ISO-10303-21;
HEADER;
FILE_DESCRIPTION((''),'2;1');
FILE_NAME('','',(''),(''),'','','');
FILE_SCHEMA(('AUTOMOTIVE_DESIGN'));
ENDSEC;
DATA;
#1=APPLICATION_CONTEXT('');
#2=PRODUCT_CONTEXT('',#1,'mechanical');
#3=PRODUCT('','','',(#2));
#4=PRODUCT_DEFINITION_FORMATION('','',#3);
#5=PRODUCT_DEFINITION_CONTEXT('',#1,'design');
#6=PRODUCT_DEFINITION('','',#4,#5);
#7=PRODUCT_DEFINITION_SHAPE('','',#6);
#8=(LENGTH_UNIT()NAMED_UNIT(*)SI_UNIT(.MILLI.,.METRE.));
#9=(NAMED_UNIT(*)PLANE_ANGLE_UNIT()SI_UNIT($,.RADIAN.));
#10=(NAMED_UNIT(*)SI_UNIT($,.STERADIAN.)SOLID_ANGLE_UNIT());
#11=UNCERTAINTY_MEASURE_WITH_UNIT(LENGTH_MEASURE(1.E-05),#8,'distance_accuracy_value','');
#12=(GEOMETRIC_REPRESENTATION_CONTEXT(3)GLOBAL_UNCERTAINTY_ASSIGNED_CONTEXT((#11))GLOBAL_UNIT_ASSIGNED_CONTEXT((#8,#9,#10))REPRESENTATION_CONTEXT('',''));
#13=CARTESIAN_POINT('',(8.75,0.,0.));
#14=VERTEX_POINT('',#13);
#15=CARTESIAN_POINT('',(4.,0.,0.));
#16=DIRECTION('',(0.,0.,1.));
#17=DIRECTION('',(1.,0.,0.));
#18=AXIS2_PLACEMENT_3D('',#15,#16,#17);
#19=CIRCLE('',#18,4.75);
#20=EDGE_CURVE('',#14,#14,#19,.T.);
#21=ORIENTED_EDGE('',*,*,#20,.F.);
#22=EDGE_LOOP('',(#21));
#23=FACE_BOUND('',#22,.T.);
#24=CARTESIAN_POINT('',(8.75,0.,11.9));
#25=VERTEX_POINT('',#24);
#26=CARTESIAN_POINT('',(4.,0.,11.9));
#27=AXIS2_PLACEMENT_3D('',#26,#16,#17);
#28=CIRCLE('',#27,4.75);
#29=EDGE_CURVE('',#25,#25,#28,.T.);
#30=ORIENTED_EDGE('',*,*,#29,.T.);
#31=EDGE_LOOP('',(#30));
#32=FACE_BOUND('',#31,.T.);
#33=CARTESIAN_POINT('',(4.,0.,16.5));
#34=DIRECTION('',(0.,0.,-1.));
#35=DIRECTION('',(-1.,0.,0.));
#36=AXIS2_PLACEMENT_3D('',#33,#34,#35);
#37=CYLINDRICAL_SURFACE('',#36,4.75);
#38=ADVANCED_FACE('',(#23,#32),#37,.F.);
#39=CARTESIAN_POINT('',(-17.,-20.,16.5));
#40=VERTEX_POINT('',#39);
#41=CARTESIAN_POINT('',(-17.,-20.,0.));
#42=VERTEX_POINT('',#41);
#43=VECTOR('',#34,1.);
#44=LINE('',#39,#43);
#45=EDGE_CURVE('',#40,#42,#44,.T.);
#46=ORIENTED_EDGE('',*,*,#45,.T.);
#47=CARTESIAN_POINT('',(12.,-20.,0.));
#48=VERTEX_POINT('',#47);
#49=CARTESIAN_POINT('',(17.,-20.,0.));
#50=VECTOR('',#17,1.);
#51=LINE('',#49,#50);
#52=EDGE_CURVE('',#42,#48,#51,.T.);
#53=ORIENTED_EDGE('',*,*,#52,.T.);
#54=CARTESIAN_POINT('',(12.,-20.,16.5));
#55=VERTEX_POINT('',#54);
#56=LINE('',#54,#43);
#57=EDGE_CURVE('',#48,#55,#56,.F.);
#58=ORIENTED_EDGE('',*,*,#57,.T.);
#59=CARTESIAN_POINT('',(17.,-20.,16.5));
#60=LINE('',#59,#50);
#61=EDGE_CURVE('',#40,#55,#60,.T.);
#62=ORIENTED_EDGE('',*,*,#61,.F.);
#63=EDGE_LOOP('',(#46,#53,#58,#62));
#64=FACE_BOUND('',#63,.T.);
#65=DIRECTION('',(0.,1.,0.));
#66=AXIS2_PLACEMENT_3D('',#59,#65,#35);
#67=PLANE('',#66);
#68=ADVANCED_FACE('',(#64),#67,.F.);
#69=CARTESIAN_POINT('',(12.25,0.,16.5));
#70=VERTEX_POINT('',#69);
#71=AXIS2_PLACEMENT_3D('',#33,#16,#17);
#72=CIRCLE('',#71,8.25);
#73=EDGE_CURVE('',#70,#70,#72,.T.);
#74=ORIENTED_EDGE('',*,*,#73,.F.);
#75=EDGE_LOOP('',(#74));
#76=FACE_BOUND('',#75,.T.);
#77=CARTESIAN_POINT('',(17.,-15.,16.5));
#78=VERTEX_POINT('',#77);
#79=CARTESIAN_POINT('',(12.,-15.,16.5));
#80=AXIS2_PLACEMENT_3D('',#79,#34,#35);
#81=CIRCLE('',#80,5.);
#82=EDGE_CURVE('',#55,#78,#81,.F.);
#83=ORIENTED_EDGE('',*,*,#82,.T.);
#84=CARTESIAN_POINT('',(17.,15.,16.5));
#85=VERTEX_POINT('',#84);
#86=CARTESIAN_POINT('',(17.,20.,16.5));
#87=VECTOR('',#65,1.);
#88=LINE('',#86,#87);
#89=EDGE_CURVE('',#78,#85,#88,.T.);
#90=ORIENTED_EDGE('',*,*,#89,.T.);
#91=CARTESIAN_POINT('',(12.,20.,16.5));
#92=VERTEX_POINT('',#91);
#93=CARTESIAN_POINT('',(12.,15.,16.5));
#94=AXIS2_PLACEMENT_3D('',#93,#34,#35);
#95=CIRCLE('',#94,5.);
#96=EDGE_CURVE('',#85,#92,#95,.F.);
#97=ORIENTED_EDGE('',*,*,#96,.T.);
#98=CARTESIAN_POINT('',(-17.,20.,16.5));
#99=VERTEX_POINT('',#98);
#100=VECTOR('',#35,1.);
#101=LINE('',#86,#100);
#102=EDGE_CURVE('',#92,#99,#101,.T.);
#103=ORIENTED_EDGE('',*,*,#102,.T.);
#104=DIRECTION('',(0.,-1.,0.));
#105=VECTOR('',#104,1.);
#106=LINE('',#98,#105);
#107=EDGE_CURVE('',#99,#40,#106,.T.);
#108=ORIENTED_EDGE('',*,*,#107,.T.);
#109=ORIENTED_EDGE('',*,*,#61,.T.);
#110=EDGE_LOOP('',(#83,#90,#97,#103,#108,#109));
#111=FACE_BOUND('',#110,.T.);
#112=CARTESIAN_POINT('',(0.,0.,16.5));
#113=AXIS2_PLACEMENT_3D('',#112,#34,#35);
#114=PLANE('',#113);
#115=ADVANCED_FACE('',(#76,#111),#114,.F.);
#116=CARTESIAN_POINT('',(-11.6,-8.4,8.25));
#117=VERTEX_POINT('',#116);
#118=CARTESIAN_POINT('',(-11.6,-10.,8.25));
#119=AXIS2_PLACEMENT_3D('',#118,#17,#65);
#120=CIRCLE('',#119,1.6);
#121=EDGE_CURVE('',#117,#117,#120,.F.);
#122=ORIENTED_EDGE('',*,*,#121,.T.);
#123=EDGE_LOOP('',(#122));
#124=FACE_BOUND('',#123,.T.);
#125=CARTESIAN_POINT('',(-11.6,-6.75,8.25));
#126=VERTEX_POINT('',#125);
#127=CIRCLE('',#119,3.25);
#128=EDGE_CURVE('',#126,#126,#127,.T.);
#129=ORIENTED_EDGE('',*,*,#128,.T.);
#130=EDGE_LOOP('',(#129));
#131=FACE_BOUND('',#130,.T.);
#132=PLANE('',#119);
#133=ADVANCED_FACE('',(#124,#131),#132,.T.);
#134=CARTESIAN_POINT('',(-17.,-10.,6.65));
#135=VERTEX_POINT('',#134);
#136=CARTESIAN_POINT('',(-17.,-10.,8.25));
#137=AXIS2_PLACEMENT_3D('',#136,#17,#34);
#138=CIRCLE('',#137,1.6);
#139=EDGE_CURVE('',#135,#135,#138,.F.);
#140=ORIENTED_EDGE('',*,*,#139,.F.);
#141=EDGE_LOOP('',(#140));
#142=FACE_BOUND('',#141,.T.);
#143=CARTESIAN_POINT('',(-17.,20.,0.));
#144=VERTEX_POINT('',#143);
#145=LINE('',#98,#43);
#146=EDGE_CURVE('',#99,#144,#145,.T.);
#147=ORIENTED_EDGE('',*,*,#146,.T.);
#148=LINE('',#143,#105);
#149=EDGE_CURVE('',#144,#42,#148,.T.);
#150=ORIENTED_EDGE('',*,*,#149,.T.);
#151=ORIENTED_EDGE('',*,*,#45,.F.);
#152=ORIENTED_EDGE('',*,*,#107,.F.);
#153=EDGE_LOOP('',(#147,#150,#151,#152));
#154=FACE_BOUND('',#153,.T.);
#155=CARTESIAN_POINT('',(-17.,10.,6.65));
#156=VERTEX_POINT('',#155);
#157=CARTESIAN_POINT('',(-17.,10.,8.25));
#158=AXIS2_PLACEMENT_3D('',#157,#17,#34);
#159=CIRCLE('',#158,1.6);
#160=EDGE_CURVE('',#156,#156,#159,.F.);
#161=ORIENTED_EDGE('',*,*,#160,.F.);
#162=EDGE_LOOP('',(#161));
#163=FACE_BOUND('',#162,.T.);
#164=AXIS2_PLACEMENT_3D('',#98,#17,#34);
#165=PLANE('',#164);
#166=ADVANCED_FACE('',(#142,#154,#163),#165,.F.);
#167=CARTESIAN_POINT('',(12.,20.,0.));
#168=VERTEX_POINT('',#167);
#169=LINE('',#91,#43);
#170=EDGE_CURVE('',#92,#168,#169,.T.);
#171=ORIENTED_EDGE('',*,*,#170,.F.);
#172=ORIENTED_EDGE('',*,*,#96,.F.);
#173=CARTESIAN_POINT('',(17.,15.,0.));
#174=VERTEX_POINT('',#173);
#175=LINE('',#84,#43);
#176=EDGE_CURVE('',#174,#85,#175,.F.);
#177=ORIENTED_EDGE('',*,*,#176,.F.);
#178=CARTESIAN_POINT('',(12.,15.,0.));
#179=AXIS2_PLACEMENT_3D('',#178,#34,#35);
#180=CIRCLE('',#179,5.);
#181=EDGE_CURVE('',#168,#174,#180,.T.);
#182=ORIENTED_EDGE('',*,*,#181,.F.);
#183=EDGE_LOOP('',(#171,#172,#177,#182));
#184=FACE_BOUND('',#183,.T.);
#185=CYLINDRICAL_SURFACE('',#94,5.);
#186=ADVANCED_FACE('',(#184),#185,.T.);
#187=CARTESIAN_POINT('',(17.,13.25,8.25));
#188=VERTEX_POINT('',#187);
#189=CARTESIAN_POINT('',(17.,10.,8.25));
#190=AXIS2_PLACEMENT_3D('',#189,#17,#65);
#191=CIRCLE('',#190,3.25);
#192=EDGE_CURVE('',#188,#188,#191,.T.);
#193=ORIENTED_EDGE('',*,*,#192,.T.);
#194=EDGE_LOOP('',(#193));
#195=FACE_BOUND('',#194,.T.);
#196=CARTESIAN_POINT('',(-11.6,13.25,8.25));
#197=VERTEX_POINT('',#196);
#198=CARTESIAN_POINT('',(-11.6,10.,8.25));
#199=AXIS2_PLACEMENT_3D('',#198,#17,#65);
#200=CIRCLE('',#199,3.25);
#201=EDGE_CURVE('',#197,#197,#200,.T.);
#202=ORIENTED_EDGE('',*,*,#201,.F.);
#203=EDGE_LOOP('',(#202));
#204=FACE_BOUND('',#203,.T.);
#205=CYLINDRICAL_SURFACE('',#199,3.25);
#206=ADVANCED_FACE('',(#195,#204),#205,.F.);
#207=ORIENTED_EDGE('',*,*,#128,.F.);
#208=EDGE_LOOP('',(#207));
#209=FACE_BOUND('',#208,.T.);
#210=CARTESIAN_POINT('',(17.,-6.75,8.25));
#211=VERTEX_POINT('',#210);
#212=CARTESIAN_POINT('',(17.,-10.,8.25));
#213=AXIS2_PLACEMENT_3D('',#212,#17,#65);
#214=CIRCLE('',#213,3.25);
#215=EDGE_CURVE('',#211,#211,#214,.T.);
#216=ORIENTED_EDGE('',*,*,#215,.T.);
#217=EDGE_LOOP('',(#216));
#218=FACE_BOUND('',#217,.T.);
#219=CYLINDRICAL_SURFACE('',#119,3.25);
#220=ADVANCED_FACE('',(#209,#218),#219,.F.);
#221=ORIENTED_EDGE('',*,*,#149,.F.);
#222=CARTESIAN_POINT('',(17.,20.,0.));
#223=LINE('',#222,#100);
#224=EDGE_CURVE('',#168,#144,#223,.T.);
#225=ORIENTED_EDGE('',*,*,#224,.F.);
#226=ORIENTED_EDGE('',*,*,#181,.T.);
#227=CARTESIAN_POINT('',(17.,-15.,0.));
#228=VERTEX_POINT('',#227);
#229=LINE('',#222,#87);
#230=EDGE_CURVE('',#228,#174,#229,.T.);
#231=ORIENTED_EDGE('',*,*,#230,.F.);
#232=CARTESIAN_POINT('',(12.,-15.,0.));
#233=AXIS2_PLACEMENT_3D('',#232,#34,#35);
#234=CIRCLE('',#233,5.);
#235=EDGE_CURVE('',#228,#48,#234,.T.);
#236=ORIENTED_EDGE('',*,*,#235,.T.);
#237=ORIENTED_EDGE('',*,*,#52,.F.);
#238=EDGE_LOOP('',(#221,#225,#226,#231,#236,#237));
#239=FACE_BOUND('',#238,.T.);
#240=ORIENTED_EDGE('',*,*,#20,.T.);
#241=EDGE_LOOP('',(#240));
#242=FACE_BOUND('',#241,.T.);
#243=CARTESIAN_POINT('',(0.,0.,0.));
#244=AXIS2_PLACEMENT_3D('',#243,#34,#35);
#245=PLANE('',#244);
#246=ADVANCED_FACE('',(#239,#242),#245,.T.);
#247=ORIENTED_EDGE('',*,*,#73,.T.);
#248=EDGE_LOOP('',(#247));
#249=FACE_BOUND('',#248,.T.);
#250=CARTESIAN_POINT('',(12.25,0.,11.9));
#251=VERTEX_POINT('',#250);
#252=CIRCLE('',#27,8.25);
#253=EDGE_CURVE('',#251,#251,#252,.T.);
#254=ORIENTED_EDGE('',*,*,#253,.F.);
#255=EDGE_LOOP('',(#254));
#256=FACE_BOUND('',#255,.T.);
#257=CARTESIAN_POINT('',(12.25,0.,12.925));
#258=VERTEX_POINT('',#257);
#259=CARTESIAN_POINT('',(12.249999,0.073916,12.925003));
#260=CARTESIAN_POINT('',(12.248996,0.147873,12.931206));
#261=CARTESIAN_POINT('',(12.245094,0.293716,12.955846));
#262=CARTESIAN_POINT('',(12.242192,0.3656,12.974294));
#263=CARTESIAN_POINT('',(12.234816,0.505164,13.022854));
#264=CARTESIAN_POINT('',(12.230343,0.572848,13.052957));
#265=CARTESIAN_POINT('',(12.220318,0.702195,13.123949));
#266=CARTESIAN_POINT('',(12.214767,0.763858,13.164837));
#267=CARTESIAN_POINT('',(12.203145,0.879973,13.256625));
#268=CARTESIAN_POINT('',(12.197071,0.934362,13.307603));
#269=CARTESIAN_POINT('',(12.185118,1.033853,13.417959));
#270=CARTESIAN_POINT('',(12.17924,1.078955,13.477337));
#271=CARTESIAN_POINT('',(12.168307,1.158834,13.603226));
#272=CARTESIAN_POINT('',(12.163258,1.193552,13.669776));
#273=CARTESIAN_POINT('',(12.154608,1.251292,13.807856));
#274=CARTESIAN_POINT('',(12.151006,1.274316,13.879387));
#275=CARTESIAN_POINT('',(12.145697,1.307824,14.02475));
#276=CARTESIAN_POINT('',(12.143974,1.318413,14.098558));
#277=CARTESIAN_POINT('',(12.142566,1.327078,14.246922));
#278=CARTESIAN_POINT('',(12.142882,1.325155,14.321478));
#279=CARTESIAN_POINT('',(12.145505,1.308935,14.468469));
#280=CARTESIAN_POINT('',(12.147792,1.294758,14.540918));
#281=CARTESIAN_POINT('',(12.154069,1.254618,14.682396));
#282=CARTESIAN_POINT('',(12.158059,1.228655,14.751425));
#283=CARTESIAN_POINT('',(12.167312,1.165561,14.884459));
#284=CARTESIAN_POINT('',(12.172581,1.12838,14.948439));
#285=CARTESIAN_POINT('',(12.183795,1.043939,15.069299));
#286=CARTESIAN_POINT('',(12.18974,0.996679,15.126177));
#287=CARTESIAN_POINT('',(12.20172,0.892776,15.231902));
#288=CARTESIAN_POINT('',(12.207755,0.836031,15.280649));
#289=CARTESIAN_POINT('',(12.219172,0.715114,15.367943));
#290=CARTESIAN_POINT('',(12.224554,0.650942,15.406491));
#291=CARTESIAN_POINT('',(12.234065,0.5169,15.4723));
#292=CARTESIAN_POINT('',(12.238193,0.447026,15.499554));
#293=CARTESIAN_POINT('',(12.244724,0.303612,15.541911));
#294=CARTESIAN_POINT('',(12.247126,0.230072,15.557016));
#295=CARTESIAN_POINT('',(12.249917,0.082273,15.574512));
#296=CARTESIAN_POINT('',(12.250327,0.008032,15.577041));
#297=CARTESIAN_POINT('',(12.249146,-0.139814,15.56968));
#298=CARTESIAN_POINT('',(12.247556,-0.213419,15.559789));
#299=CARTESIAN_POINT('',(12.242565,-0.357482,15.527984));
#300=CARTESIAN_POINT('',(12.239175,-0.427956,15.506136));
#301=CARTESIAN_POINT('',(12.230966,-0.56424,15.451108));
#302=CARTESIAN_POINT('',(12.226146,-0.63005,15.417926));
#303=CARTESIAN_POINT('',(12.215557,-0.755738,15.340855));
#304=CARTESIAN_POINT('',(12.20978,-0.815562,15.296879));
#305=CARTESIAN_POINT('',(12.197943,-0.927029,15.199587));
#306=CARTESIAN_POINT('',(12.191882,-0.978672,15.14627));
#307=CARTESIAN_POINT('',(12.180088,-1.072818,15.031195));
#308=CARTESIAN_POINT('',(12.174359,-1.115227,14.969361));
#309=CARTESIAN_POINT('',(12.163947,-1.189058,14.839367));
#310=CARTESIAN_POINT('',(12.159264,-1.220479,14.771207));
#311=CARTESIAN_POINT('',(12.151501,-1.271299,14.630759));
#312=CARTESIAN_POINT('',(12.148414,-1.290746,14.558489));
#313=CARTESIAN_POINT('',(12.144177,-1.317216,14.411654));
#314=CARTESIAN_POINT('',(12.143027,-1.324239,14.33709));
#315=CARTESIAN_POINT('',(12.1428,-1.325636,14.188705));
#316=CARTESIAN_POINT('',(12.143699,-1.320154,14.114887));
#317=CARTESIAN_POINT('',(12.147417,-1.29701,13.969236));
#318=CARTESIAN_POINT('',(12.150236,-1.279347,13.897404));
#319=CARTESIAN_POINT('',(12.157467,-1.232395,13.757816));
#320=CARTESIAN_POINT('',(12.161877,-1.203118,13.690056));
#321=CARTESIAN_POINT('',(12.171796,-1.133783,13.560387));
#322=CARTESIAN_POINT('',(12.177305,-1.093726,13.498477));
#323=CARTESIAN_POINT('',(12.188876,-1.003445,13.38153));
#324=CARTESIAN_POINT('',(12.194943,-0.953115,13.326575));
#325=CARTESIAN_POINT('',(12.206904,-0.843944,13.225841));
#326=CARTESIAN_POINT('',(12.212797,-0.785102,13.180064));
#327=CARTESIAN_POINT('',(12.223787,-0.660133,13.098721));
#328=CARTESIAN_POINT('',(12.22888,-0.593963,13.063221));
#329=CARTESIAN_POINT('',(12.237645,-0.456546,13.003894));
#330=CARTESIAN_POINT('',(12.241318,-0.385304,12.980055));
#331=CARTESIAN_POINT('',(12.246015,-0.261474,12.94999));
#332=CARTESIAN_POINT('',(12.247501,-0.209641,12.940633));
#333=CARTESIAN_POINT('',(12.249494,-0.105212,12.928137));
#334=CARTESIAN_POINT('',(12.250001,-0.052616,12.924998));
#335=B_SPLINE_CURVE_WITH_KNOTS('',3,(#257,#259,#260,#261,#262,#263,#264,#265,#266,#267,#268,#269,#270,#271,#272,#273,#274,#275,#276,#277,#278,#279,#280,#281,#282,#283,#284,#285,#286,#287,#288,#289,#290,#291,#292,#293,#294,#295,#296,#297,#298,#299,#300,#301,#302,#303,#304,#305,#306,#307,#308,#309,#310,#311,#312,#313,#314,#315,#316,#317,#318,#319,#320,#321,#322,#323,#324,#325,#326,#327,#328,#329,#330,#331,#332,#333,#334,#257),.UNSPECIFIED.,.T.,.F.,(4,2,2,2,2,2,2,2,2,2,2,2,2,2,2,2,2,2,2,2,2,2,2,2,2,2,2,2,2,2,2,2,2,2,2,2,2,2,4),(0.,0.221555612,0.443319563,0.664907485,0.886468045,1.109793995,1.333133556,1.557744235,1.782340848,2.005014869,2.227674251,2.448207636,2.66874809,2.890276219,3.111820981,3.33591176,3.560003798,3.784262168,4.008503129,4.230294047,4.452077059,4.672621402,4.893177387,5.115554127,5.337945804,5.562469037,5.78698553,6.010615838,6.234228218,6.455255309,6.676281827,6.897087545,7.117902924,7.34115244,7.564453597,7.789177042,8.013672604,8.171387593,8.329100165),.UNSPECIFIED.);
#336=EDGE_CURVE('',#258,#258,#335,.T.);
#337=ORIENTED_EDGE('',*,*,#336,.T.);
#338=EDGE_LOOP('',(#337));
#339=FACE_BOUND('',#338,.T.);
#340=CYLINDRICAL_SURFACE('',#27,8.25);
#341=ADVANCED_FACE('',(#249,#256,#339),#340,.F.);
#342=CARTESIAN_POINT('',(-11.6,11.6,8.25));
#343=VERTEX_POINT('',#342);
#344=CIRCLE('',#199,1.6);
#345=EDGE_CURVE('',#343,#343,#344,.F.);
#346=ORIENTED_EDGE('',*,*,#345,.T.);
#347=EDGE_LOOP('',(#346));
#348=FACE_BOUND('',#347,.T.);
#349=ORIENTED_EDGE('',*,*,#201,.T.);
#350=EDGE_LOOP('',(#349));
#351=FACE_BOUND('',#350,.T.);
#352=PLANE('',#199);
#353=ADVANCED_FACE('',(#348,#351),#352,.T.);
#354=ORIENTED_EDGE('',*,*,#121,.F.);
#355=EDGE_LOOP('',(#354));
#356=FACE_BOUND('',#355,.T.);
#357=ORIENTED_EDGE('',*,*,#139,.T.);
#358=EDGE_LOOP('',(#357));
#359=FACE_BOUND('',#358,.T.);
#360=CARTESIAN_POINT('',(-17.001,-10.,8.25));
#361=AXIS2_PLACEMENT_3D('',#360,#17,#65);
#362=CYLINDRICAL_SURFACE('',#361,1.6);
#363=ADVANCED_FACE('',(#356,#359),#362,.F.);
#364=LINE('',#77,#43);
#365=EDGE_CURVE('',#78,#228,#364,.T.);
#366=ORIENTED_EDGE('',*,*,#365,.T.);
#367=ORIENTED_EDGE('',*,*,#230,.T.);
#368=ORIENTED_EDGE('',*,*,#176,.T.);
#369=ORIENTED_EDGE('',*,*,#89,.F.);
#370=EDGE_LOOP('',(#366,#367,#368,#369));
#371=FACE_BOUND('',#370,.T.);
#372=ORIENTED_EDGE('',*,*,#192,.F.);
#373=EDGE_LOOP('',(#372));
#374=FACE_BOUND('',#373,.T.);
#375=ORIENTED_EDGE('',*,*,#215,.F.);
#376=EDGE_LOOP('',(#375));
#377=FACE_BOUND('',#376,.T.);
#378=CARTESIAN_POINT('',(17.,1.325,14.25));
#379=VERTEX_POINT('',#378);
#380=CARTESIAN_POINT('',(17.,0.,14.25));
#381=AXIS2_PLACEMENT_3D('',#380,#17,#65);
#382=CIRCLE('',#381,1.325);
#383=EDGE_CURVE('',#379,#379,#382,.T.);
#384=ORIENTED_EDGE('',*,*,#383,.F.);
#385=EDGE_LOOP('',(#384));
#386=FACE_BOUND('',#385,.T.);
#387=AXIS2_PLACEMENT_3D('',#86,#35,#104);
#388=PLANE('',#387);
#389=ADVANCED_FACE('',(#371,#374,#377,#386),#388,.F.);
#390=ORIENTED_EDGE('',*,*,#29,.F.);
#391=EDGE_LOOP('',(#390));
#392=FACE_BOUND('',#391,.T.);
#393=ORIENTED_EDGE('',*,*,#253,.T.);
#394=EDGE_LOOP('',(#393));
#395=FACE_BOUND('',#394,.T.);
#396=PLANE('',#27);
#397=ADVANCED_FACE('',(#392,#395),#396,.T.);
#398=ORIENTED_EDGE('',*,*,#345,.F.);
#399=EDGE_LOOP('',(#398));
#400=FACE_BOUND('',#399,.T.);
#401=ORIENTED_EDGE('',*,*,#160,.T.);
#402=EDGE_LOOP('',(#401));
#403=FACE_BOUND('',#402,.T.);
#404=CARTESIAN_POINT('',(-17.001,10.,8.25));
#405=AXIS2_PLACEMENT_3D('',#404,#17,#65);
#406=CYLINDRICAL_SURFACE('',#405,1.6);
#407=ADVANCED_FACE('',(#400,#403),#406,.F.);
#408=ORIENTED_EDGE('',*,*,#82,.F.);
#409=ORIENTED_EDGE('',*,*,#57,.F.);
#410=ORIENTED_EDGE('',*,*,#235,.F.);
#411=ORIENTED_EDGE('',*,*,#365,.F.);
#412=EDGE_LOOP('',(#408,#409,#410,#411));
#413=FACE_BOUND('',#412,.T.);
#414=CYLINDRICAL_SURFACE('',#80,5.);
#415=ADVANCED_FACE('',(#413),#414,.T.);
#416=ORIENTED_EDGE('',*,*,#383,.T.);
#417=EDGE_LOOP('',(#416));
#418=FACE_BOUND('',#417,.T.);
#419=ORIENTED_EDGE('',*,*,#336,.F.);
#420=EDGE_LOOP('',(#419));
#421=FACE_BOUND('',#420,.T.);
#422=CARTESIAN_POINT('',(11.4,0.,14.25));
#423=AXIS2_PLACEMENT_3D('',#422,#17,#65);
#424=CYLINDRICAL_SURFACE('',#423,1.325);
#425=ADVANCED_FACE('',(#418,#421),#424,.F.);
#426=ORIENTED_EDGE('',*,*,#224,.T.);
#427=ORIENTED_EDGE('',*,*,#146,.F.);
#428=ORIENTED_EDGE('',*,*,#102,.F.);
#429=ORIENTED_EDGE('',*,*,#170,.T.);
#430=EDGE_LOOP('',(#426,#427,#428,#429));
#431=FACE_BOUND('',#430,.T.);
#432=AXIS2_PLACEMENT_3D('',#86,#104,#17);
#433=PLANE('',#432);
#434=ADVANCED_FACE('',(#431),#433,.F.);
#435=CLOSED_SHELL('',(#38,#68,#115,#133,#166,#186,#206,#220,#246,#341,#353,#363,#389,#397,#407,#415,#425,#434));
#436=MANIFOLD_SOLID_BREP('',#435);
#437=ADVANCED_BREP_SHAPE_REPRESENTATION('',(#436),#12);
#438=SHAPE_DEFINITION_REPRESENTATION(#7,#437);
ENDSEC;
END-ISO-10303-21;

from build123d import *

# Parameters (mm, degrees)
CROQUIS1_W              = 34
CROQUIS1_H              = 40
CROQUIS1_R              = 4.75
SALIENTE_EXTRUIR1_DEPTH = 16.5
CROQUIS2_R              = 8.25
CORTAR_EXTRUIR1_DEPTH   = 4.6
CROQUIS3_R              = 1.325
CORTAR_EXTRUIR2_DEPTH   = 5.6
CORTAR_EXTRUIR3_REACH   = 44.758
CROQUIS4_R              = 1.6
CROQUIS5_R              = 3.25
CORTAR_EXTRUIR4_DEPTH   = 28.6
REDONDEO1_R             = 5


with BuildPart() as part:
    # Croquis1 → Saliente-Extruir1 (new body)
    with BuildSketch(Plane.XY):
        Rectangle(CROQUIS1_W, CROQUIS1_H)
        with Locations((4, 0)):
            Circle(CROQUIS1_R, mode=Mode.SUBTRACT)
    extrude(amount=SALIENTE_EXTRUIR1_DEPTH)

    # Croquis2 → Cortar-Extruir1 (cut)
    with BuildSketch(Plane.XY.offset(16.5)):
        with Locations((4, 0)):
            Circle(CROQUIS2_R)
    extrude(amount=-CORTAR_EXTRUIR1_DEPTH, mode=Mode.SUBTRACT)

    # Croquis3 → Cortar-Extruir2 (cut)
    with BuildSketch(Plane(origin=(17, 0, 0), x_dir=(0, 0, -1), z_dir=(1, 0, 0))):
        with Locations(Location((-14.25, 0, 0), (0, 0, 90))):
            Circle(CROQUIS3_R)
    extrude(amount=-CORTAR_EXTRUIR2_DEPTH, mode=Mode.SUBTRACT)

    # Croquis4 → Cortar-Extruir3 (cut, up to next)
    with BuildSketch(Plane(origin=(17, 0, 0), x_dir=(0, 0, -1), z_dir=(1, 0, 0)), mode=Mode.PRIVATE) as cortar_extruir3_sk1:
        with Locations(Location((-8.25, -10, 0), (0, 0, 90))):
            Circle(CROQUIS4_R)
    cortar_extruir3_tool1 = extrude(cortar_extruir3_sk1.sketch, amount=-CORTAR_EXTRUIR3_REACH, mode=Mode.PRIVATE) & part.part
    # Croquis4 → Cortar-Extruir3 (cut, up to next)
    with BuildSketch(Plane(origin=(17, 0, 0), x_dir=(0, 0, -1), z_dir=(1, 0, 0)), mode=Mode.PRIVATE) as cortar_extruir3_sk2:
        with Locations(Location((-8.25, 10, 0), (0, 0, 90))):
            Circle(CROQUIS4_R)
    cortar_extruir3_tool2 = extrude(cortar_extruir3_sk2.sketch, amount=-CORTAR_EXTRUIR3_REACH, mode=Mode.PRIVATE) & part.part
    add(cortar_extruir3_tool1.solids().sort_by_distance((17, -10, 8.25))[0], mode=Mode.SUBTRACT)
    add(cortar_extruir3_tool2.solids().sort_by_distance((17, 10, 8.25))[0], mode=Mode.SUBTRACT)

    # Croquis5 → Cortar-Extruir4 (cut)
    with BuildSketch(Plane(origin=(17, 0, 0), x_dir=(0, 0, -1), z_dir=(1, 0, 0))):
        with Locations(Location((-8.25, -10, 0), (0, 0, 90))):
            Circle(CROQUIS5_R)
        with Locations(Location((-8.25, 10, 0), (0, 0, 90))):
            Circle(CROQUIS5_R)
    extrude(amount=-CORTAR_EXTRUIR4_DEPTH, mode=Mode.SUBTRACT)

    # Redondeo1
    redondeo1_edges = [part.edges().sort_by_distance(p)[0] for p in [
        (17, 20, 8.25),
        (17, -20, 8.25),
    ]]
    fillet(redondeo1_edges, radius=REDONDEO1_R)


solid = part.part
